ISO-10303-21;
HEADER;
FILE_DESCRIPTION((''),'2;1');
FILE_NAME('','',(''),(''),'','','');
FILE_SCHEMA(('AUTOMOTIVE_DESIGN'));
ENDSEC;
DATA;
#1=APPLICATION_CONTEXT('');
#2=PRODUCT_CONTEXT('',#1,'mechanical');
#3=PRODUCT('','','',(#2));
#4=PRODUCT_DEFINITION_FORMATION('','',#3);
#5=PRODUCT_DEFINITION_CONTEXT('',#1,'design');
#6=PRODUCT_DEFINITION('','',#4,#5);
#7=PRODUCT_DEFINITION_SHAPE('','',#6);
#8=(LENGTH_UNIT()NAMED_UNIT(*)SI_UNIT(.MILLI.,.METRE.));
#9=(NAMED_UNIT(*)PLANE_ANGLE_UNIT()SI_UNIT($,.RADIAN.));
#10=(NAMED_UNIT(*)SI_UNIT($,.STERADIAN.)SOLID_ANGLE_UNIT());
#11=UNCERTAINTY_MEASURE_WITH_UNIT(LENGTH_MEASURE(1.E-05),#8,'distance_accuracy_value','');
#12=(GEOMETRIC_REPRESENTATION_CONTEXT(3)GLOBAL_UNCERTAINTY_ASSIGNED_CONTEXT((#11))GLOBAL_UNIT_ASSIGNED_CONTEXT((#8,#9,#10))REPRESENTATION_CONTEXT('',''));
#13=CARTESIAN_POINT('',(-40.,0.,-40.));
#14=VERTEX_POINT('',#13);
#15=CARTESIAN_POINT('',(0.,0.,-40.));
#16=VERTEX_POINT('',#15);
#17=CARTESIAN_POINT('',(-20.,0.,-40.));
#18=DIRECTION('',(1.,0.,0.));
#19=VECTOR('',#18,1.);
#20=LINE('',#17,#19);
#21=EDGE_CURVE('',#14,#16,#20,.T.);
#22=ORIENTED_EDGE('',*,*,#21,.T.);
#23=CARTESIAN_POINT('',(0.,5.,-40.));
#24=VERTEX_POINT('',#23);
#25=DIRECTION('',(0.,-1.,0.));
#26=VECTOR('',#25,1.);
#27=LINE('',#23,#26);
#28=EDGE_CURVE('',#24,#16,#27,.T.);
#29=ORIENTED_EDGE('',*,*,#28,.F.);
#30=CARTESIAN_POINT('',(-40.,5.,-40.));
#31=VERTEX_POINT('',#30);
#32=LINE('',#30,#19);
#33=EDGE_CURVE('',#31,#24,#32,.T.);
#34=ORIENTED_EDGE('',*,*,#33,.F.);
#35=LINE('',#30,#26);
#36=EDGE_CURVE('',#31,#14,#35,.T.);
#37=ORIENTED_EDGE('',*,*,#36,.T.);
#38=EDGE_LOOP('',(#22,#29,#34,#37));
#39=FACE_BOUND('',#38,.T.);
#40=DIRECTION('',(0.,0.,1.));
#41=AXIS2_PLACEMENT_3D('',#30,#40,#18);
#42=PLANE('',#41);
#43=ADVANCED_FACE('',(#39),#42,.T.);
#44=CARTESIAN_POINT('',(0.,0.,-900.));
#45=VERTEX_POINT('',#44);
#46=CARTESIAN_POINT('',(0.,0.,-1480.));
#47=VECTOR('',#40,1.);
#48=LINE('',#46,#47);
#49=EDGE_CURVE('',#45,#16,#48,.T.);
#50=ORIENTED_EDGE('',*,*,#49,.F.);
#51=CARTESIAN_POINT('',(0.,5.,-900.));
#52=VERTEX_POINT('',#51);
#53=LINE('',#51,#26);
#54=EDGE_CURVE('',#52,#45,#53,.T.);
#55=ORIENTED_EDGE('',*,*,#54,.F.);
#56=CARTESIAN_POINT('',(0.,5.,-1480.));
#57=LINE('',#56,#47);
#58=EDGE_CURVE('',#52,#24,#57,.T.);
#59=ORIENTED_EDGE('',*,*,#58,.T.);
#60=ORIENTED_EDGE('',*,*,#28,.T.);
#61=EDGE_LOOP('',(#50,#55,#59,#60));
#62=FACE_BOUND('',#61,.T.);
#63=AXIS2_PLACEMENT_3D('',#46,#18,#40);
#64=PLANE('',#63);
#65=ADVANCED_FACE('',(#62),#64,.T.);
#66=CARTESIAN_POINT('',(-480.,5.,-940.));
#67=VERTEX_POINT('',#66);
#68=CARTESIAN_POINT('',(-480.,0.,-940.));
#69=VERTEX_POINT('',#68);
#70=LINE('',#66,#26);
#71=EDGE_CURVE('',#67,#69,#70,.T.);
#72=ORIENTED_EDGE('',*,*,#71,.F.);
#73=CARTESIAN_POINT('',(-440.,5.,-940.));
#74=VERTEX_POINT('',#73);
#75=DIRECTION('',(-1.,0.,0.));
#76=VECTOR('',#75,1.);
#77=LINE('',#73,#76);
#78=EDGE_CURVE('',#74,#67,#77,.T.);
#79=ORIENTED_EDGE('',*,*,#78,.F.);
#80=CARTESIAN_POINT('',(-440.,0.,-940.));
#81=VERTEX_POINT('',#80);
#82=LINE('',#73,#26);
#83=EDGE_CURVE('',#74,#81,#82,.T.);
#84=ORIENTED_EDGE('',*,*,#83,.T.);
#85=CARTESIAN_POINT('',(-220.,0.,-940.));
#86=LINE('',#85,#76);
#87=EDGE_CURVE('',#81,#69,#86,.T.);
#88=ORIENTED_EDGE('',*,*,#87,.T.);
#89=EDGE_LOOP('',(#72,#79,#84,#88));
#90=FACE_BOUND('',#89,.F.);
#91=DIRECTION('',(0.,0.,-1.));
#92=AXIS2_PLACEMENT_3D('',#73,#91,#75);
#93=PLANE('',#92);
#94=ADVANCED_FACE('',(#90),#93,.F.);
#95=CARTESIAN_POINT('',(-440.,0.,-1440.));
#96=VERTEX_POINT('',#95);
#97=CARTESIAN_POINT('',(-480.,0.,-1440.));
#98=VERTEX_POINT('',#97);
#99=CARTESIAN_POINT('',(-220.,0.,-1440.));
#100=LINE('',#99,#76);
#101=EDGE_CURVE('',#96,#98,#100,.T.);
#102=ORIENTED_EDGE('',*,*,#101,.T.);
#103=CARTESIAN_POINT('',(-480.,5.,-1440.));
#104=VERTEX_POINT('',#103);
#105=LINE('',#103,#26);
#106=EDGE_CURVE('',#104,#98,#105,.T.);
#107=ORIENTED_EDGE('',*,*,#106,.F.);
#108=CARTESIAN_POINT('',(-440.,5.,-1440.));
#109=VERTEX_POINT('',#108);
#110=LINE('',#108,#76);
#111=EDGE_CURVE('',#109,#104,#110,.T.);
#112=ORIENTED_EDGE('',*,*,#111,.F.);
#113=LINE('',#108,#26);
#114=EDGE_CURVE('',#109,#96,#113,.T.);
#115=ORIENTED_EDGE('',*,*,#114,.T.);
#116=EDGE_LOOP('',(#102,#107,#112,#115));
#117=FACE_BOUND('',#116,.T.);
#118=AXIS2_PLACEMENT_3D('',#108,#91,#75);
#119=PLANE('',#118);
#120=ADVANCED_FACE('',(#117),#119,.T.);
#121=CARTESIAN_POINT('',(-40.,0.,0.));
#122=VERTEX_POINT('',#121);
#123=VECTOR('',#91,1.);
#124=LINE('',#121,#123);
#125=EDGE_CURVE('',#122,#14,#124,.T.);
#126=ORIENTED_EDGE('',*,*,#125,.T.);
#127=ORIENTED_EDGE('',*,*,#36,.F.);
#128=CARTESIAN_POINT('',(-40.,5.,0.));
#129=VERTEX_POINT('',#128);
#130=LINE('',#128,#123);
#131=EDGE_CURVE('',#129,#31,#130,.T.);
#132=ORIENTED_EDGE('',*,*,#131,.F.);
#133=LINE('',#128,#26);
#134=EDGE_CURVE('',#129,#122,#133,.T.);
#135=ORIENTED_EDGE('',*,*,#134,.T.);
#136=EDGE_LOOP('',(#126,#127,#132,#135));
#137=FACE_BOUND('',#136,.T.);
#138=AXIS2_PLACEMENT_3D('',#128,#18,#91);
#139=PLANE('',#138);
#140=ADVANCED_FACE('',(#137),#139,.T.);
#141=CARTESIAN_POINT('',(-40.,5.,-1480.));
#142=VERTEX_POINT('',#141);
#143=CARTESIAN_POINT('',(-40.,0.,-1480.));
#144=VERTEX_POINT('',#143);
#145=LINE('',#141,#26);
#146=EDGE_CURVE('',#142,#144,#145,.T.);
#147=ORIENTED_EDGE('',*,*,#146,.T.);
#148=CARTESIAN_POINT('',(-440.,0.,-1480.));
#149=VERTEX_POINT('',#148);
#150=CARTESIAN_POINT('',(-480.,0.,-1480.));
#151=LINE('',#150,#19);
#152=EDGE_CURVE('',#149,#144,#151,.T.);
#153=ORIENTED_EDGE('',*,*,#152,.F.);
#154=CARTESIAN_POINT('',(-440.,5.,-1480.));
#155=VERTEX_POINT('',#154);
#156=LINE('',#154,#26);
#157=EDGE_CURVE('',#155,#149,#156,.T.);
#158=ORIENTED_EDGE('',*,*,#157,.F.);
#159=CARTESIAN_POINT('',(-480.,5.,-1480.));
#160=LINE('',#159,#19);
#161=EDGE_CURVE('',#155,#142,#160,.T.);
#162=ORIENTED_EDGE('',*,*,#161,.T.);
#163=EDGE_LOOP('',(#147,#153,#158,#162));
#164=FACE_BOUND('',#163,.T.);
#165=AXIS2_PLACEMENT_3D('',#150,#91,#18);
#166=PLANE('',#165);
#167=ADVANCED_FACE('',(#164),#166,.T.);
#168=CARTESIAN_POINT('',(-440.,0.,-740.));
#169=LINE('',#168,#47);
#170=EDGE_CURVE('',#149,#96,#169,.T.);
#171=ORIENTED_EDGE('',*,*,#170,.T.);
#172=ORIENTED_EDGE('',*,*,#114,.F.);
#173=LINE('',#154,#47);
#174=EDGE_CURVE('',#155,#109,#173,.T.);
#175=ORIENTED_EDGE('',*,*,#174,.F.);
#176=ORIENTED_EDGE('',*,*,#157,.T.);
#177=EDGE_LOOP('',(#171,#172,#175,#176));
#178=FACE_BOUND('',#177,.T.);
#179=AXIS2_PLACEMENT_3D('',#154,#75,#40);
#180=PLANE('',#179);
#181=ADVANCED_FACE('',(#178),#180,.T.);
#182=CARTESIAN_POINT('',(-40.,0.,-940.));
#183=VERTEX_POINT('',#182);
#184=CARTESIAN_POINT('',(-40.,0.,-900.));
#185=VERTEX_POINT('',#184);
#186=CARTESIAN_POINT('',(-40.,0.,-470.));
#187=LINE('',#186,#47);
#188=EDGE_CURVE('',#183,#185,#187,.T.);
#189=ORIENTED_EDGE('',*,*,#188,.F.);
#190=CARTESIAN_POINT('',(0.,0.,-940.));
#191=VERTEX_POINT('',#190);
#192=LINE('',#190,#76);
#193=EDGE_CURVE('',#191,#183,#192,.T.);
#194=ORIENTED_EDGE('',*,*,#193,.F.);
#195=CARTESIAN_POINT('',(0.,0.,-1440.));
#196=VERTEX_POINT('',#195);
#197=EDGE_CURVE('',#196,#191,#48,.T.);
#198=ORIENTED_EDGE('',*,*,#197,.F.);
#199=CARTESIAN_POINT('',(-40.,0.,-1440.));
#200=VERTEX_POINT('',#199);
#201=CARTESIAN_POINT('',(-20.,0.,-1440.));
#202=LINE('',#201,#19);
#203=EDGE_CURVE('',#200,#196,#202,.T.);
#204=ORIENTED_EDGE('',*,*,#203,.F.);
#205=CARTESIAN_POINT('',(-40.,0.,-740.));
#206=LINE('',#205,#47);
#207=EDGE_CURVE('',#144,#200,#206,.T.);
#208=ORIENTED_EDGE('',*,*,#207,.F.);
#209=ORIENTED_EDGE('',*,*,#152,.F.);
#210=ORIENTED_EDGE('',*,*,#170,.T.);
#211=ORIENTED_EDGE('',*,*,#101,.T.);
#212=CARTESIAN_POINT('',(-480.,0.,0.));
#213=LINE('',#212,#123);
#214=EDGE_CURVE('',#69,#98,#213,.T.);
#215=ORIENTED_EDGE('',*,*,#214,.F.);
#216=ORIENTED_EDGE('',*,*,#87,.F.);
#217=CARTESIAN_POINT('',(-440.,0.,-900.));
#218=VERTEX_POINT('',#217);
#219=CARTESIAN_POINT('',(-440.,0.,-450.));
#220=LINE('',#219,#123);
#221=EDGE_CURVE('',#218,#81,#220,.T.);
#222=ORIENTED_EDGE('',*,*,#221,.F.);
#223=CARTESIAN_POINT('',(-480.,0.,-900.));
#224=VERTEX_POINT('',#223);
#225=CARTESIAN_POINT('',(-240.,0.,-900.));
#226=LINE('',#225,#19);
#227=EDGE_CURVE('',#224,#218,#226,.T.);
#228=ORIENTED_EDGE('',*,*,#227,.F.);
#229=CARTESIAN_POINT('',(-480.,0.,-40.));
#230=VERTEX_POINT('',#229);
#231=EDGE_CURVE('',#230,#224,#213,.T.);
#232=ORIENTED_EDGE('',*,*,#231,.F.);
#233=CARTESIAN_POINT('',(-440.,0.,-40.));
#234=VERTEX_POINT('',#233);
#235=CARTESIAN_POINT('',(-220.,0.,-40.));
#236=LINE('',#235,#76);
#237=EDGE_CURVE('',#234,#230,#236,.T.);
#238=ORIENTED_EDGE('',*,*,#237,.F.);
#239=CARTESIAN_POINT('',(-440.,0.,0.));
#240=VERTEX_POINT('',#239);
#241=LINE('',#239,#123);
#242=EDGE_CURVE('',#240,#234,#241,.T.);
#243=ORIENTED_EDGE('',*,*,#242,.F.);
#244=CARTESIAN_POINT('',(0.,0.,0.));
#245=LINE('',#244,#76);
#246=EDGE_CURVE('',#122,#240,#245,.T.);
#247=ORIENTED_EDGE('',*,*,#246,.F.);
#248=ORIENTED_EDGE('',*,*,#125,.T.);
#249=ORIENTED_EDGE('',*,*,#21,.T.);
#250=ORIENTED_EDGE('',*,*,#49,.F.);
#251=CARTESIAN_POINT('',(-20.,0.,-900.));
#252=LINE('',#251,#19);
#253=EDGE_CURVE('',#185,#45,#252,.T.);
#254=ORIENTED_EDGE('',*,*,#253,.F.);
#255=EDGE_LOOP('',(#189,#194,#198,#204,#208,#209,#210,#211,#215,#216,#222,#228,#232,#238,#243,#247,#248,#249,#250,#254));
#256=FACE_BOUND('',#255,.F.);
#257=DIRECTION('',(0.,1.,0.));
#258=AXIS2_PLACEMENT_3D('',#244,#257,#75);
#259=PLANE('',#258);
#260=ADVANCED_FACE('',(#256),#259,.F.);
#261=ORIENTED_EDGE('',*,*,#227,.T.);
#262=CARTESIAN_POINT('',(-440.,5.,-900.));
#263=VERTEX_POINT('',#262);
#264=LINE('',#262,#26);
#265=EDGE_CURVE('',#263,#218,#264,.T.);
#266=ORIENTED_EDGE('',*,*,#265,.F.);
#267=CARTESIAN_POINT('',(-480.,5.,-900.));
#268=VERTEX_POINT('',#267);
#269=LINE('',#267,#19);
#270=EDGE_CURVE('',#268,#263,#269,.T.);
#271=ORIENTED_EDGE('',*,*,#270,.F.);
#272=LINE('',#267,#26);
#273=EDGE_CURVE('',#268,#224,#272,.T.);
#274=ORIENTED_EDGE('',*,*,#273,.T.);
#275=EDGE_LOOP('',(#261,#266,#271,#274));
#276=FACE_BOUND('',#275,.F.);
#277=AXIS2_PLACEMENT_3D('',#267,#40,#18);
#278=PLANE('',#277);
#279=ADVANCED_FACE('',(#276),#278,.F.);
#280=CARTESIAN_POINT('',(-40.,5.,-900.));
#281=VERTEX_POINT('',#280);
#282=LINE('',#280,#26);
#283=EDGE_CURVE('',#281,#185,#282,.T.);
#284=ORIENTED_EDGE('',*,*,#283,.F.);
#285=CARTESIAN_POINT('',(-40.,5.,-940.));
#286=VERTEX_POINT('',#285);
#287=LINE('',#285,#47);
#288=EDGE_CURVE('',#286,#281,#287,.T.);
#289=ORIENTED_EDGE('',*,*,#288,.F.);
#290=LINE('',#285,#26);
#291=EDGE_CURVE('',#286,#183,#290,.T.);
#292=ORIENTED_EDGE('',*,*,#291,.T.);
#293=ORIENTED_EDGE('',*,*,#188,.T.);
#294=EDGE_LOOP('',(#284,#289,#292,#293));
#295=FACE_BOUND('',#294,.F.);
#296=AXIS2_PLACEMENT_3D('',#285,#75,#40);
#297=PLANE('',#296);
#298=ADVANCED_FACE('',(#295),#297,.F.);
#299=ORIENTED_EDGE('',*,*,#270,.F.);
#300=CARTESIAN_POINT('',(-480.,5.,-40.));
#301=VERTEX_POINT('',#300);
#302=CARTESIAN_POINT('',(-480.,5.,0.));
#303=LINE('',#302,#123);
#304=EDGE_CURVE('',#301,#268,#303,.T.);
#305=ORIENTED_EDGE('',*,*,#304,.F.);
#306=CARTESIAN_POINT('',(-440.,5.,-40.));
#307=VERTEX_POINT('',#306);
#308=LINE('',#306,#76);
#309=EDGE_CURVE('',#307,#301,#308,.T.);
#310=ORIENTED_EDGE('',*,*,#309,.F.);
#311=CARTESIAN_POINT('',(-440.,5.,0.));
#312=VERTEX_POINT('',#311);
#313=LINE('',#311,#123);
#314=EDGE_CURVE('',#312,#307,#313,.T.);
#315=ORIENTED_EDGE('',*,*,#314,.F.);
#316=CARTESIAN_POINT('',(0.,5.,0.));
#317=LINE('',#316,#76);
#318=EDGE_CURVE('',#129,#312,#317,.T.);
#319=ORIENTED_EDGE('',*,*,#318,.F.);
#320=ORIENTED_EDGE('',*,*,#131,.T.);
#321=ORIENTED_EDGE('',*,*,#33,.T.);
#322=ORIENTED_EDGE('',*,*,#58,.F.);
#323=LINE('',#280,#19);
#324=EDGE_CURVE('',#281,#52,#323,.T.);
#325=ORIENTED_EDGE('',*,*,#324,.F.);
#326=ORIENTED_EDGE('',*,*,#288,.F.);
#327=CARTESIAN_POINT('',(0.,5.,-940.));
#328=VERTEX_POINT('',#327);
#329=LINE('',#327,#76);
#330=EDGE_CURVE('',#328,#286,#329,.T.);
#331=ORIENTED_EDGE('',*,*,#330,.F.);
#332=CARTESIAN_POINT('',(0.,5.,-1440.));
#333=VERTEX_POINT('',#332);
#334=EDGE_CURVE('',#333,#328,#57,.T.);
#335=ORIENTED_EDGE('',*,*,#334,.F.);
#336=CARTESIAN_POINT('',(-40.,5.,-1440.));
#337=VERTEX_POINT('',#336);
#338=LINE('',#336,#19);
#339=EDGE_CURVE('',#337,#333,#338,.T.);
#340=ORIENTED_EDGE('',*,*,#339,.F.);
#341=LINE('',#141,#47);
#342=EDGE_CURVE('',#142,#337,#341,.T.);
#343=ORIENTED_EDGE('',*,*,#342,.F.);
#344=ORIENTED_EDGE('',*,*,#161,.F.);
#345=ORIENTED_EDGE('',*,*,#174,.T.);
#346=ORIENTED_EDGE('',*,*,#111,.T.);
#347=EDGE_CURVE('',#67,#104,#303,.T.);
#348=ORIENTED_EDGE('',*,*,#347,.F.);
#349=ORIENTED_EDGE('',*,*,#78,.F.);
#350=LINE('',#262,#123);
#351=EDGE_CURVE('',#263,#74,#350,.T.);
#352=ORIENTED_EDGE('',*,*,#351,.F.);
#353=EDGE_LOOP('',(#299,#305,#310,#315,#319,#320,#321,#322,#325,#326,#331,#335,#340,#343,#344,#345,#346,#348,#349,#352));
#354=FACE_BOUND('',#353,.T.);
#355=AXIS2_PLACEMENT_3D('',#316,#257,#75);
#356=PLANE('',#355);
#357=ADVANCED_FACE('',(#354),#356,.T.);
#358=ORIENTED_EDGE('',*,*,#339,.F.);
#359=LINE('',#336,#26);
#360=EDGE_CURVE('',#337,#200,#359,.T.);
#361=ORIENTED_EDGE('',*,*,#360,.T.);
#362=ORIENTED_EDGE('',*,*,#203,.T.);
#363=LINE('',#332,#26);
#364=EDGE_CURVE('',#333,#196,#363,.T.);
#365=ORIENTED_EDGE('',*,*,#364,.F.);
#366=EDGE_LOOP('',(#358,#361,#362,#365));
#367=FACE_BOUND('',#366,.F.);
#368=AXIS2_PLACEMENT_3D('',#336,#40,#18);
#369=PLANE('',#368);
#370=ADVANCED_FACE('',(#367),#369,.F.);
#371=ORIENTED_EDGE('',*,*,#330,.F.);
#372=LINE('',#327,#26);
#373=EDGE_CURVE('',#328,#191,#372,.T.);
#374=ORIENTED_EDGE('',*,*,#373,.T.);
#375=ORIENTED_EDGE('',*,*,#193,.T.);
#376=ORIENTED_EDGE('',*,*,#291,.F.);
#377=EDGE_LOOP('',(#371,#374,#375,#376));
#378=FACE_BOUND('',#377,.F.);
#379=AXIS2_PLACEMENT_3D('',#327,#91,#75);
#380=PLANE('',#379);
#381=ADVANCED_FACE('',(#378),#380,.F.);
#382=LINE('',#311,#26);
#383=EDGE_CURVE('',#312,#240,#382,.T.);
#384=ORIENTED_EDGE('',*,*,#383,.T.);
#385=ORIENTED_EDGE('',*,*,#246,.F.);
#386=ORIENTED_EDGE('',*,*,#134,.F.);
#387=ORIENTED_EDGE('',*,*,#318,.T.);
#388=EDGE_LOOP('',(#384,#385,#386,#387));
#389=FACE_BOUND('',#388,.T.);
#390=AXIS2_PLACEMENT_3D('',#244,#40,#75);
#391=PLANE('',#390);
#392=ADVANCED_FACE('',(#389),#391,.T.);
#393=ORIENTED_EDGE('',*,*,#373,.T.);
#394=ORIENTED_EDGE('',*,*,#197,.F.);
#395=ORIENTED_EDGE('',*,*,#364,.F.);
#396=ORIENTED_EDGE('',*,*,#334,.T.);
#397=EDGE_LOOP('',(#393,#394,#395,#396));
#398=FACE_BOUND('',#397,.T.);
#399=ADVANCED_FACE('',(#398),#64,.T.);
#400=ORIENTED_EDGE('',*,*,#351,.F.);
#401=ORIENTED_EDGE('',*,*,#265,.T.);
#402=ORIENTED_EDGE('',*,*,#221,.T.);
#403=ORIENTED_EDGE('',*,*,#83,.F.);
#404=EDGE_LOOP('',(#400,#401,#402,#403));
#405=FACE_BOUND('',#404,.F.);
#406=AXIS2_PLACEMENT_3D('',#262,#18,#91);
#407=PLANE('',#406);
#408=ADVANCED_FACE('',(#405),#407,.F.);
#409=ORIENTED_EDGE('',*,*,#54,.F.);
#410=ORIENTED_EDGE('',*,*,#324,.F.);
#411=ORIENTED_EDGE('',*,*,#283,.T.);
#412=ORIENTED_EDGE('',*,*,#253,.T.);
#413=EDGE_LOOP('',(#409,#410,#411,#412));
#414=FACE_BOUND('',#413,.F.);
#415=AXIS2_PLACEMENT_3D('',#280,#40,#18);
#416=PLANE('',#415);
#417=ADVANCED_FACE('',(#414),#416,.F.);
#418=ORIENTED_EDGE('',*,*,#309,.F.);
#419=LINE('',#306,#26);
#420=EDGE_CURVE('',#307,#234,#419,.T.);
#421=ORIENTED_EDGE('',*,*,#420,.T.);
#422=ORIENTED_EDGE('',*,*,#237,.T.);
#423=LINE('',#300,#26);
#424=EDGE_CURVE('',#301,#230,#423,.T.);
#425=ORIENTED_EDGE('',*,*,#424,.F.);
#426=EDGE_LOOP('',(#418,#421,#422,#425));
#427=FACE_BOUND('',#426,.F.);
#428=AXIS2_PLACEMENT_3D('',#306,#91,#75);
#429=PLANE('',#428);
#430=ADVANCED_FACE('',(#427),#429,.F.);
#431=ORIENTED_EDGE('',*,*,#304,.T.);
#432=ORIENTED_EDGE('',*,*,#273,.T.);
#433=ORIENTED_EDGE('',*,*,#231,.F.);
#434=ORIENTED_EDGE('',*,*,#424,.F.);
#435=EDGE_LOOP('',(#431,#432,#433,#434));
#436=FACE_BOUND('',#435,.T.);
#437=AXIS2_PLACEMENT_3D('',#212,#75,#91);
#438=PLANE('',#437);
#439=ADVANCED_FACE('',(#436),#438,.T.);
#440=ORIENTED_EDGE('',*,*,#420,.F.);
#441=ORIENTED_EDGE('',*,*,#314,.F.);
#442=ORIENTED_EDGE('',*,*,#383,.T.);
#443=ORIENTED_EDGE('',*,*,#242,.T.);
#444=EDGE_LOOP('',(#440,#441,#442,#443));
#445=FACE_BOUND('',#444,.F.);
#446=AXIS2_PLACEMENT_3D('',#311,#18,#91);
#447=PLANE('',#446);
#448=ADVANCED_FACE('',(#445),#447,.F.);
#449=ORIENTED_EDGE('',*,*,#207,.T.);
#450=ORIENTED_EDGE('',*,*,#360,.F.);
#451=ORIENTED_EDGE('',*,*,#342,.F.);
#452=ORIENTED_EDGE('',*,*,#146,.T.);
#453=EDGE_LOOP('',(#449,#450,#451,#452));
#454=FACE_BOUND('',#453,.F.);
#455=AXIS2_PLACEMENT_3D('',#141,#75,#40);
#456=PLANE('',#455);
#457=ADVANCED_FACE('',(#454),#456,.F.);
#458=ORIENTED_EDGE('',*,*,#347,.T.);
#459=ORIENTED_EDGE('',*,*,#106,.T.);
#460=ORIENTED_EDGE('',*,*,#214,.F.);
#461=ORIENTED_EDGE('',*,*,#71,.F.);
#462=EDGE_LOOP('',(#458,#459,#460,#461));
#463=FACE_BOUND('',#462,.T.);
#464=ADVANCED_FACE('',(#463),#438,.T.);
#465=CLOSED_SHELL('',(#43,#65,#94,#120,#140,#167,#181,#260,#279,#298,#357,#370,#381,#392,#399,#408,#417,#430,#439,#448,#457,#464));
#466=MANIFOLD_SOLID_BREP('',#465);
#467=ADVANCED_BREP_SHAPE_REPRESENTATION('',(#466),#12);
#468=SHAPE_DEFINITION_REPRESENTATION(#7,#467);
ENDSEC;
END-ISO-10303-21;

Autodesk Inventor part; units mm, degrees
ref_plane "YZ Plane" through (0, 0, 0) normal (1, 0, 0) x (0, 1, 0)
ref_plane "XZ Plane" through (0, 0, 0) normal (0, 1, 0) x (-1, 0, 0)
ref_plane "XY Plane" through (0, 0, 0) normal (0, 0, 1) x (1, 0, 0)
sketch "Sketch1" plane through (0, 0, 0) normal (0, 1, 0) x (-1, 0, 0)
  line L0 (0, 0) -> (480, 0)
  line L1 (480, 0) -> (480, -1480)
  line L2 (480, -1480) -> (0, -1480)
  line L3 (0, -1480) -> (0, 0)
  dimension "d0" = 480
  dimension "d1" = 1480
extrude "Extrusion1" add sketch "Sketch1" along normal blind 5
sketch "Sketch2" plane through (0, 5, 0) normal (0, 1, 0) x (1, 0, 0)
  line L0 (0, 0) -> (-40, 0)
  line L1 (-40, 0) -> (-40, 40)
  line L2 (-40, 40) -> (0, 40)
  line L3 (0, 40) -> (0, 0)
  dimension "d4" = 40
  dimension "d5" = 40
extrude "Extrusion2" cut sketch "Sketch2" against normal blind 10
sketch "Sketch3" plane through (0, 5, 0) normal (0, 1, 0) x (1, 0, 0)
  line L0 (-480, 0) -> (-440, 0)
  line L1 (-440, 0) -> (-440, 40)
  line L2 (-440, 40) -> (-480, 40)
  line L3 (-480, 40) -> (-480, 0)
  point P0 (0, 0)
  dimension "d8" = 40
  dimension "d9" = 40
extrude "Extrusion3" cut sketch "Sketch3" against normal blind 10
sketch "Sketch4" plane through (0, 5, 0) normal (0, 1, 0) x (1, 0, 0)
  line L0 (0, 1480) -> (-480, 1480) projected
  line L1 (0, 1480) -> (-40, 1480)
  line L2 (-40, 1480) -> (-40, 1440)
  line L3 (-40, 1440) -> (0, 1440)
  line L4 (0, 1440) -> (0, 1480)
  point P0 (0, 0)
  dimension "d12" = 40
  dimension "d13" = 40
extrude "Extrusion4" cut sketch "Sketch4" against normal blind 10
sketch "Sketch5" plane through (0, 5, 0) normal (0, 1, 0) x (1, 0, 0)
  line L0 (-40, 1480) -> (-480, 1480) projected
  line L1 (-480, 1480) -> (-440, 1480)
  line L2 (-440, 1480) -> (-440, 1440)
  line L3 (-440, 1440) -> (-480, 1440)
  line L4 (-480, 1440) -> (-480, 1480)
  point P0 (0, 0)
  dimension "d16" = 40
  dimension "d17" = 40
extrude "Extrusion5" cut sketch "Sketch5" against normal blind 10
sketch "Sketch7" plane through (0, 5, 0) normal (0, 1, 0) x (1, 0, 0)
  line L0 (0, 40) -> (0, 1440) projected
  line L1 (0, 940) -> (-40, 940)
  line L2 (-40, 940) -> (-40, 900)
  line L3 (-40, 900) -> (0, 900)
  line L4 (0, 900) -> (0, 940)
  point P0 (0, 0)
  point P1 (0, 760)
  point P2 (0, 900)
  dimension "d24" = 40
  dimension "d25" = 40
extrude "Extrusion7" cut sketch "Sketch7" against normal blind 10
sketch "Sketch8" plane through (0, 5, 0) normal (0, 1, 0) x (1, 0, 0)
  line L0 (-480, 1440) -> (-480, 40) projected
  line L1 (-480, 900) -> (-440, 900)
  line L2 (-440, 900) -> (-440, 940)
  line L3 (-440, 940) -> (-480, 940)
  line L4 (-480, 940) -> (-480, 900)
  point P0 (0, 0)
  dimension "d28" = 40
  dimension "d29" = 40
extrude "Extrusion8" cut sketch "Sketch8" against normal blind 10
properties part number "benchtop" material "Aluminum 6061"
